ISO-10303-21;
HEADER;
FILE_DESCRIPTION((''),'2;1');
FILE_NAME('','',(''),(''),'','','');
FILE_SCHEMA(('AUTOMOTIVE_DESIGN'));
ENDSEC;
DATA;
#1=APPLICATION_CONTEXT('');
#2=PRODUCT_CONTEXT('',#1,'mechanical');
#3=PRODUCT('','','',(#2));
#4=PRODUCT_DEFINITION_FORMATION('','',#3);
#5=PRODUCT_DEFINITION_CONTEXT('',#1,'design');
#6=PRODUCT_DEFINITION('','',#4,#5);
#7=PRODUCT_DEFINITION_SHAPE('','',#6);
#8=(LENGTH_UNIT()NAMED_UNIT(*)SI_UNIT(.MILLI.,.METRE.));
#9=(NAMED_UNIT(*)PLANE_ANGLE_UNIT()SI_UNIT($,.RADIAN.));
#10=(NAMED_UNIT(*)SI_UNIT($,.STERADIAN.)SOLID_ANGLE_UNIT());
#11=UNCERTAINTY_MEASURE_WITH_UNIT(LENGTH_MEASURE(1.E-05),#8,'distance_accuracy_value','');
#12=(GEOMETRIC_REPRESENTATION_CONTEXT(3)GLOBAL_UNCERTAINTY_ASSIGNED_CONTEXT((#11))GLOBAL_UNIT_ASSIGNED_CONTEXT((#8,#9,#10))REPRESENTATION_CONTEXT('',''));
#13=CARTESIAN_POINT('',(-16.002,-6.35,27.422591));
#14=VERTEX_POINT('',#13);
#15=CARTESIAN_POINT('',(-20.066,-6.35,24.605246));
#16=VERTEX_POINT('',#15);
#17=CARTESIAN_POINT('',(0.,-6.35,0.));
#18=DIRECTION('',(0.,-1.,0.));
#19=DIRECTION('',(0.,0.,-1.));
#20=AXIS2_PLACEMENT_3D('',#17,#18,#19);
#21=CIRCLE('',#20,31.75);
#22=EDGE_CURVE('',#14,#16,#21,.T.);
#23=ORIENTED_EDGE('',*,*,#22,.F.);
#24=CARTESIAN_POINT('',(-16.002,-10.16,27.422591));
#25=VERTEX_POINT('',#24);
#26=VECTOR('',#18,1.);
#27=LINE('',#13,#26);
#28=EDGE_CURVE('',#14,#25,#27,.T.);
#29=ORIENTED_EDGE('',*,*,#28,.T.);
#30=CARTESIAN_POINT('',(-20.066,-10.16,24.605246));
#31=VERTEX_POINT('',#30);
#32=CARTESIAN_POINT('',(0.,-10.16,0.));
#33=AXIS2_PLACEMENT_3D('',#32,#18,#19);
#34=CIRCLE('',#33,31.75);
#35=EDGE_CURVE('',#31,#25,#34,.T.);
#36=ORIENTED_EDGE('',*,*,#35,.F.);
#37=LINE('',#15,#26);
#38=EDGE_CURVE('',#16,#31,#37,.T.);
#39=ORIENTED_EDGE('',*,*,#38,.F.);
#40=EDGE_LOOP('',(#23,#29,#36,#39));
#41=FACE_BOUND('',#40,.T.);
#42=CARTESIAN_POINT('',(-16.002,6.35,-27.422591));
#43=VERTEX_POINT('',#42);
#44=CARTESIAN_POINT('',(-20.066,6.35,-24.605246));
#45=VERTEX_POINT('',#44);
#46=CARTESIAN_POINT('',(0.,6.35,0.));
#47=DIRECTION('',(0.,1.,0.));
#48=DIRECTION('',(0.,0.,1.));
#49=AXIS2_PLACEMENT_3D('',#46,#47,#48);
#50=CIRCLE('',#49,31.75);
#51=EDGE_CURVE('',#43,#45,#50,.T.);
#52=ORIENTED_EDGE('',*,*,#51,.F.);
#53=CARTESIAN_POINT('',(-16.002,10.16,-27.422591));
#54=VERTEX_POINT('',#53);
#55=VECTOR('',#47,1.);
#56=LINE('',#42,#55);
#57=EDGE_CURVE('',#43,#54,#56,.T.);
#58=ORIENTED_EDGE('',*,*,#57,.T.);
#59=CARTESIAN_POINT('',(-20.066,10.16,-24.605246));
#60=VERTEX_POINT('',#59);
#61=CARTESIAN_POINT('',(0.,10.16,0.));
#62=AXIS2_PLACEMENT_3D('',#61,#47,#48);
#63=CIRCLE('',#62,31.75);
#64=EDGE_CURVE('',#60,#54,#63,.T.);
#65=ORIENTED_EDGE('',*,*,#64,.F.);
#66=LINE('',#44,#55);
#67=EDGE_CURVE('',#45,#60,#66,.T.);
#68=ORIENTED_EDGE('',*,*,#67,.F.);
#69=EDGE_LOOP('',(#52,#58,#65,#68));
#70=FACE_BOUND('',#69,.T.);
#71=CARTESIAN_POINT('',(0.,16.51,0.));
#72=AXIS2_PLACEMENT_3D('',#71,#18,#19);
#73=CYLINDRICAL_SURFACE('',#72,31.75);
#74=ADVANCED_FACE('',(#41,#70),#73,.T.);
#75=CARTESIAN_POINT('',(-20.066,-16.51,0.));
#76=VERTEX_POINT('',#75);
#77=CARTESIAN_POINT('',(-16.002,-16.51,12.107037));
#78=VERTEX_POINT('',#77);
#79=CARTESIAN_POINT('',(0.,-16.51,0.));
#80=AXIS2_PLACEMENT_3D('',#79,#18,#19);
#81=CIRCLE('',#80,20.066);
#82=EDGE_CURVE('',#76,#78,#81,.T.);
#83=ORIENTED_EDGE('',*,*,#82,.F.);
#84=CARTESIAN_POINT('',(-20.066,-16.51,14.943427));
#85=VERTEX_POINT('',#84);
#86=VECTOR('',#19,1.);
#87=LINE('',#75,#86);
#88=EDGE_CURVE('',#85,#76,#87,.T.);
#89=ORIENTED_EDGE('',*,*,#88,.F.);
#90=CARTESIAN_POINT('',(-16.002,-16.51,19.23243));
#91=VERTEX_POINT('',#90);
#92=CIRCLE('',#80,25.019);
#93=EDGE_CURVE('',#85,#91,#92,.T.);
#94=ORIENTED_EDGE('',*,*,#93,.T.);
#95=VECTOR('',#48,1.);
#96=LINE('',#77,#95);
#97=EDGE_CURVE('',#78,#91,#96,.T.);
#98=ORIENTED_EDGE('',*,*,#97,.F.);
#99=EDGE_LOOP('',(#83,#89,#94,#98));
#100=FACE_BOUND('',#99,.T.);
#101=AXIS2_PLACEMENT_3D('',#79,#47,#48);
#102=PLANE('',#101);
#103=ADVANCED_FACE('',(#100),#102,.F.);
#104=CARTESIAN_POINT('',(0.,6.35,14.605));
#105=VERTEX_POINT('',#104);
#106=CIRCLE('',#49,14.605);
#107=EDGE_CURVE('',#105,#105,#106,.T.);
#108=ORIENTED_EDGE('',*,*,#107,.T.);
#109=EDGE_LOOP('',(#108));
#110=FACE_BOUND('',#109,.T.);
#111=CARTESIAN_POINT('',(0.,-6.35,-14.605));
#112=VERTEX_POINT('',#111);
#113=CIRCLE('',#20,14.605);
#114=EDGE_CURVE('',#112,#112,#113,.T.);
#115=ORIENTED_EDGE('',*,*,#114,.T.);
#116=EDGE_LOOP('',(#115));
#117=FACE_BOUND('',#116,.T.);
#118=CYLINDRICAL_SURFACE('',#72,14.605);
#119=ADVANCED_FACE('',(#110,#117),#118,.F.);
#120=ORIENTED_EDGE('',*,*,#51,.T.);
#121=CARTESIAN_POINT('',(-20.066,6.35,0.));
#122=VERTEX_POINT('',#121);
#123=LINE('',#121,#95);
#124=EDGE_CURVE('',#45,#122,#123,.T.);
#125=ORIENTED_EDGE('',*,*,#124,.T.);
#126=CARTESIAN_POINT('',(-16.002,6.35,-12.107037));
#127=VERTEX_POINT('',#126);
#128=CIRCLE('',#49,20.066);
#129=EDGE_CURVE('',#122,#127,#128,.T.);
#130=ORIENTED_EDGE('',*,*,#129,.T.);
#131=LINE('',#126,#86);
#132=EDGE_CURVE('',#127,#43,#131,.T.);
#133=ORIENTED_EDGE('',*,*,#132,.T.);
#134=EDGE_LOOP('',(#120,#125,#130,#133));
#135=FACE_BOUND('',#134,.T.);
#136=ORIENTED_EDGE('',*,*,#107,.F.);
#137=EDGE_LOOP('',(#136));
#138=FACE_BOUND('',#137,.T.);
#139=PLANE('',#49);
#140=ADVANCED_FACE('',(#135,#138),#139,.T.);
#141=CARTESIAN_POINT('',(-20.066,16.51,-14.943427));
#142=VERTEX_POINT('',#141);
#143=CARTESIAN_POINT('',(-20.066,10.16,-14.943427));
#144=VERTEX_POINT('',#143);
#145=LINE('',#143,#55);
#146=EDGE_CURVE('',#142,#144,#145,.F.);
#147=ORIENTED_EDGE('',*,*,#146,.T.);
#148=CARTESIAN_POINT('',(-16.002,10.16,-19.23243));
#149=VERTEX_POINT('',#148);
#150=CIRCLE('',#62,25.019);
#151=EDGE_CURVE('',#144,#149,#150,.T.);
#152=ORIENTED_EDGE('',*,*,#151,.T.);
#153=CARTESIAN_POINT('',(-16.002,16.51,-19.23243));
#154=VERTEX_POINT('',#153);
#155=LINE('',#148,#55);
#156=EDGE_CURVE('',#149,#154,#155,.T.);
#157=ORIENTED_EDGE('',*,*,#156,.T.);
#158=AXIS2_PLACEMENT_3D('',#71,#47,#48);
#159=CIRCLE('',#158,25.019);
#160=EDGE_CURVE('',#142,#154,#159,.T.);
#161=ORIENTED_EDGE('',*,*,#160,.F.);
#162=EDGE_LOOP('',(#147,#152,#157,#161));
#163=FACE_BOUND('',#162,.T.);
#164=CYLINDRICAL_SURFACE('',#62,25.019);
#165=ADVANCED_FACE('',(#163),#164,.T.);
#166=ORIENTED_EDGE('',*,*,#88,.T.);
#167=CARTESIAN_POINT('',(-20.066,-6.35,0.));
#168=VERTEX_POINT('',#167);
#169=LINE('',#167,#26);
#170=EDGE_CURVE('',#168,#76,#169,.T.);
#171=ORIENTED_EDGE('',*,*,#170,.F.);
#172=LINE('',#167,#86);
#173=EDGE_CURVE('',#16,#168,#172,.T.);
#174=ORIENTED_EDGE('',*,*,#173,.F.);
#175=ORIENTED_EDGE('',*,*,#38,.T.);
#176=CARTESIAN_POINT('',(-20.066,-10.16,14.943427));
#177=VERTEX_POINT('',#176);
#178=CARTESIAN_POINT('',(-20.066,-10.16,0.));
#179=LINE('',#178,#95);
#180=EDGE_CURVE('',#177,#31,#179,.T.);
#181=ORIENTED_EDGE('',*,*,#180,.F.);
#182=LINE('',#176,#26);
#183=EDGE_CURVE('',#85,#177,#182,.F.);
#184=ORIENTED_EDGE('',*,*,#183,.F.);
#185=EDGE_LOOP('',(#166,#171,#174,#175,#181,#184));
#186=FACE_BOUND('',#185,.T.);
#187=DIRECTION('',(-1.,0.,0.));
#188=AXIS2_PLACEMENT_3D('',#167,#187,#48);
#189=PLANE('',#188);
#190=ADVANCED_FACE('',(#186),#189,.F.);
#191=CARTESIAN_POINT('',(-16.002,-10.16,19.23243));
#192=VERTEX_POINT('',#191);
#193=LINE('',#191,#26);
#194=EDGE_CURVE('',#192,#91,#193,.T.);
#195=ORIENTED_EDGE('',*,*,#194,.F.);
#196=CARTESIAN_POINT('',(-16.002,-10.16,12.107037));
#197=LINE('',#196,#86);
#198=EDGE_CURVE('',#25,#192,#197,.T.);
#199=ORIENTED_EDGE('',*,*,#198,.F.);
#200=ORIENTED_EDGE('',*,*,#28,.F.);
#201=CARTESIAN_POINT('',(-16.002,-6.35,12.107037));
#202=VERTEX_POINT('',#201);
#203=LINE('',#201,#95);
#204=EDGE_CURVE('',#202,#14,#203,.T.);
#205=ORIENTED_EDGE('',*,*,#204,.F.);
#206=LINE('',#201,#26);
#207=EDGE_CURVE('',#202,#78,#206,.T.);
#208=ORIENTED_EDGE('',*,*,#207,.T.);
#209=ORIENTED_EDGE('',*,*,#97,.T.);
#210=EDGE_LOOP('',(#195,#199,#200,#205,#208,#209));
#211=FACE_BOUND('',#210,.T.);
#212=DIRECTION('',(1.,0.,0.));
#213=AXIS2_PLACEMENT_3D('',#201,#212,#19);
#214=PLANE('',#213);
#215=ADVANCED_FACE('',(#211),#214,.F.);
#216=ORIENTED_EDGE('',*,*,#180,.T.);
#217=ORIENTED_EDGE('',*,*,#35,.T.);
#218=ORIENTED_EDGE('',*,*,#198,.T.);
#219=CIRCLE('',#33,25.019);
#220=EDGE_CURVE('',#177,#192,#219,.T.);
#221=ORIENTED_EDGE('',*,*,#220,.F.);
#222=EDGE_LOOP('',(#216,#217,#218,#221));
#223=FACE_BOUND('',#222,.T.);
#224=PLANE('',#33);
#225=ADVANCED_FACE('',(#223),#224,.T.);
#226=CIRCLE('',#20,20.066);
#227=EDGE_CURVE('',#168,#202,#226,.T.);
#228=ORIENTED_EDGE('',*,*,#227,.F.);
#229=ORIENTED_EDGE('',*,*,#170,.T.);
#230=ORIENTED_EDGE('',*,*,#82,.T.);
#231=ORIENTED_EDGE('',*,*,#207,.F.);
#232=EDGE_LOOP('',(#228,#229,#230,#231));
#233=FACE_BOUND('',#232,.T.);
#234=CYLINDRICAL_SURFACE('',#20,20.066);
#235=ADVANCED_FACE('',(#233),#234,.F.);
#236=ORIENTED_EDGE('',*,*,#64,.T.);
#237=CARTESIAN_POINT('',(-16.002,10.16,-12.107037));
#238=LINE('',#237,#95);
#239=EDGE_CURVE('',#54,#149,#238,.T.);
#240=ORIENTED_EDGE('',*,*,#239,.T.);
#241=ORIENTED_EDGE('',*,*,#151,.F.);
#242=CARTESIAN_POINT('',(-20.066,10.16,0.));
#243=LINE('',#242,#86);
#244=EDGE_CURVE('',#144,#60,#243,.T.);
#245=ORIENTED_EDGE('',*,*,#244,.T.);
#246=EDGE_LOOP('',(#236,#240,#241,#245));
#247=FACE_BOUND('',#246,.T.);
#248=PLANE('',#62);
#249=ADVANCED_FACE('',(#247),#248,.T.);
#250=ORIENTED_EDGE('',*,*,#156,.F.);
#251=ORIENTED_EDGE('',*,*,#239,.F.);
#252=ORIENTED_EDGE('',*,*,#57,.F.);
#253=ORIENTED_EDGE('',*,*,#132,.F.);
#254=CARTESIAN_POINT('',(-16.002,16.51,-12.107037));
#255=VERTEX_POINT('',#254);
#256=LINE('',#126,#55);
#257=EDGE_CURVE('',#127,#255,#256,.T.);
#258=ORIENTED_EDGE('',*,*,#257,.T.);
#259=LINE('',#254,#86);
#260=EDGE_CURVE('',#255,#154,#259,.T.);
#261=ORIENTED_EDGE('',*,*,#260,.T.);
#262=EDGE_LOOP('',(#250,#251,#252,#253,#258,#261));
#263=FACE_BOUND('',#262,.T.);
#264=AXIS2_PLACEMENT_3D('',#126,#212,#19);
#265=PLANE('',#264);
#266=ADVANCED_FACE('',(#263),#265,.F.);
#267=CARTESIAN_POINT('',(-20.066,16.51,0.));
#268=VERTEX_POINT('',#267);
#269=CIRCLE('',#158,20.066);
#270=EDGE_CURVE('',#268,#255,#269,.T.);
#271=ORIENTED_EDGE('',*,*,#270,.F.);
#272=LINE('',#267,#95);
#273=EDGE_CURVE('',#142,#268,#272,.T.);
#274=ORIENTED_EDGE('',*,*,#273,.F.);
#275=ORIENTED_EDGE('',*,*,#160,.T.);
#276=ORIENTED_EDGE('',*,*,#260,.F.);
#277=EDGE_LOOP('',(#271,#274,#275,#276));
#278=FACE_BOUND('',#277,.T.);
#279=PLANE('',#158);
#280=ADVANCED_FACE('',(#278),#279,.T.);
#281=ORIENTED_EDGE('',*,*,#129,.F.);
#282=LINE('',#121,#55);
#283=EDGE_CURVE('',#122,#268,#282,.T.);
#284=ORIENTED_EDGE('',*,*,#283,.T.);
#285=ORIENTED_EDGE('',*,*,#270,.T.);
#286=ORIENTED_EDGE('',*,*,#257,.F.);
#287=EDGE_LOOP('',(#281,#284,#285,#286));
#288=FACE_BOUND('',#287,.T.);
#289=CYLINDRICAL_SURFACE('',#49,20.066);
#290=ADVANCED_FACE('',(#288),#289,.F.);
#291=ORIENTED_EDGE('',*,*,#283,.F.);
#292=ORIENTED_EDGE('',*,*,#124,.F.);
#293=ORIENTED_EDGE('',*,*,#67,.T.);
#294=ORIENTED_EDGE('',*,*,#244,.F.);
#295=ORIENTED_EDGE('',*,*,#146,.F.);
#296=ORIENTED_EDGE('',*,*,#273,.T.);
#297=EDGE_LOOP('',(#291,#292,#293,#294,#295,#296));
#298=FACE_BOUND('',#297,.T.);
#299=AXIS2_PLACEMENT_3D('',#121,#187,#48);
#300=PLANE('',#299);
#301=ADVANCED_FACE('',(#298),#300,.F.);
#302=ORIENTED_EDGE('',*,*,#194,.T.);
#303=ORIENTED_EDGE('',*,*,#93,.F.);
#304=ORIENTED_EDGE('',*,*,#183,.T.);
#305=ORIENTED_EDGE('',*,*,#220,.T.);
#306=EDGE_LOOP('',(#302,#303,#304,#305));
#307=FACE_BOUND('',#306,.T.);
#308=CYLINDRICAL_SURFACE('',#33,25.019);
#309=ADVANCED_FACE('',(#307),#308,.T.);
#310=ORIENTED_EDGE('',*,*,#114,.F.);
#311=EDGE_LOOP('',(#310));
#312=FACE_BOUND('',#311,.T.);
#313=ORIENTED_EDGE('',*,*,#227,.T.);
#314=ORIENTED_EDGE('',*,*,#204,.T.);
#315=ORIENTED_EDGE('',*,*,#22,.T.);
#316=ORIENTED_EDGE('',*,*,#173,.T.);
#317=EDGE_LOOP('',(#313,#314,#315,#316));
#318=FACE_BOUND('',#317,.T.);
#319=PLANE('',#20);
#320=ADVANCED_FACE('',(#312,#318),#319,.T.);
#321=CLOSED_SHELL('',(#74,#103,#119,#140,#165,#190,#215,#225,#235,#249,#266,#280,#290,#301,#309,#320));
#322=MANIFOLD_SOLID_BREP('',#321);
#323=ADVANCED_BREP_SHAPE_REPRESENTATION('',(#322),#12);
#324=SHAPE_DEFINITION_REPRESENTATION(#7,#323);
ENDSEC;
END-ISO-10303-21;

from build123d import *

# Parameters (mm, degrees)
SKETCH1_R           = 31.75
SKETCH1_R_2         = 14.605
BOSS_EXTRUDE1_DEPTH = 16.51
CUT_EXTRUDE1_DEPTH  = 10.16
SKETCH13_R          = 31.75
SKETCH13_R_2        = 25.019
CUT_EXTRUDE2_DEPTH  = 6.35
CIRPATTERN1_COUNT   = 2


with BuildPart() as part:
    # Sketch1 → Boss-Extrude1 (new, symmetric)
    with BuildSketch(Plane(origin=(0, 0, 0), x_dir=(1, 0, 0), z_dir=(0, 1, 0))):
        Circle(SKETCH1_R)
        Circle(SKETCH1_R_2, mode=Mode.SUBTRACT)
    extrude(amount=BOSS_EXTRUDE1_DEPTH, both=True)

    # Sketch2 → Cut-Extrude1 (cut)
    with BuildSketch(Plane(origin=(0, 16.51, 0), x_dir=(1, 0, 0), z_dir=(0, 1, 0))):
        with BuildLine():
            Line((-20.066, 0), (-20.066, 24.60524627))
            ThreePointArc((-20.066, 24.60524627), (-18.088933462, 26.093159759), (-16.002, 27.422590979))
            Line((-16.002, 27.422590979), (-16.002, 12.107037292))
            ThreePointArc((-16.002, 12.107037292), (19.022887373, -6.385460986), (-20.066, 0))
        make_face()
    cut_extrude1 = extrude(amount=-CUT_EXTRUDE1_DEPTH, mode=Mode.SUBTRACT)

    # Sketch13 → Cut-Extrude2 (cut)
    with BuildSketch(Plane(origin=(0, 16.51, 0), x_dir=(1, 0, 0), z_dir=(0, 1, 0))):
        Circle(SKETCH13_R)
        Circle(SKETCH13_R_2, mode=Mode.SUBTRACT)
    cut_extrude2 = extrude(amount=-CUT_EXTRUDE2_DEPTH, mode=Mode.SUBTRACT)

    # CirPattern1: Cut-Extrude1, Cut-Extrude2 ×2 about axis
    cirpattern1_axis = Axis((34.925, 0, 0), (-1, 0, 0))
    add([cut_extrude1.rotate(cirpattern1_axis, i * 360 / CIRPATTERN1_COUNT) for i in range(1, CIRPATTERN1_COUNT)], mode=Mode.SUBTRACT)
    add([cut_extrude2.rotate(cirpattern1_axis, i * 360 / CIRPATTERN1_COUNT) for i in range(1, CIRPATTERN1_COUNT)], mode=Mode.SUBTRACT)


solid = part.part
